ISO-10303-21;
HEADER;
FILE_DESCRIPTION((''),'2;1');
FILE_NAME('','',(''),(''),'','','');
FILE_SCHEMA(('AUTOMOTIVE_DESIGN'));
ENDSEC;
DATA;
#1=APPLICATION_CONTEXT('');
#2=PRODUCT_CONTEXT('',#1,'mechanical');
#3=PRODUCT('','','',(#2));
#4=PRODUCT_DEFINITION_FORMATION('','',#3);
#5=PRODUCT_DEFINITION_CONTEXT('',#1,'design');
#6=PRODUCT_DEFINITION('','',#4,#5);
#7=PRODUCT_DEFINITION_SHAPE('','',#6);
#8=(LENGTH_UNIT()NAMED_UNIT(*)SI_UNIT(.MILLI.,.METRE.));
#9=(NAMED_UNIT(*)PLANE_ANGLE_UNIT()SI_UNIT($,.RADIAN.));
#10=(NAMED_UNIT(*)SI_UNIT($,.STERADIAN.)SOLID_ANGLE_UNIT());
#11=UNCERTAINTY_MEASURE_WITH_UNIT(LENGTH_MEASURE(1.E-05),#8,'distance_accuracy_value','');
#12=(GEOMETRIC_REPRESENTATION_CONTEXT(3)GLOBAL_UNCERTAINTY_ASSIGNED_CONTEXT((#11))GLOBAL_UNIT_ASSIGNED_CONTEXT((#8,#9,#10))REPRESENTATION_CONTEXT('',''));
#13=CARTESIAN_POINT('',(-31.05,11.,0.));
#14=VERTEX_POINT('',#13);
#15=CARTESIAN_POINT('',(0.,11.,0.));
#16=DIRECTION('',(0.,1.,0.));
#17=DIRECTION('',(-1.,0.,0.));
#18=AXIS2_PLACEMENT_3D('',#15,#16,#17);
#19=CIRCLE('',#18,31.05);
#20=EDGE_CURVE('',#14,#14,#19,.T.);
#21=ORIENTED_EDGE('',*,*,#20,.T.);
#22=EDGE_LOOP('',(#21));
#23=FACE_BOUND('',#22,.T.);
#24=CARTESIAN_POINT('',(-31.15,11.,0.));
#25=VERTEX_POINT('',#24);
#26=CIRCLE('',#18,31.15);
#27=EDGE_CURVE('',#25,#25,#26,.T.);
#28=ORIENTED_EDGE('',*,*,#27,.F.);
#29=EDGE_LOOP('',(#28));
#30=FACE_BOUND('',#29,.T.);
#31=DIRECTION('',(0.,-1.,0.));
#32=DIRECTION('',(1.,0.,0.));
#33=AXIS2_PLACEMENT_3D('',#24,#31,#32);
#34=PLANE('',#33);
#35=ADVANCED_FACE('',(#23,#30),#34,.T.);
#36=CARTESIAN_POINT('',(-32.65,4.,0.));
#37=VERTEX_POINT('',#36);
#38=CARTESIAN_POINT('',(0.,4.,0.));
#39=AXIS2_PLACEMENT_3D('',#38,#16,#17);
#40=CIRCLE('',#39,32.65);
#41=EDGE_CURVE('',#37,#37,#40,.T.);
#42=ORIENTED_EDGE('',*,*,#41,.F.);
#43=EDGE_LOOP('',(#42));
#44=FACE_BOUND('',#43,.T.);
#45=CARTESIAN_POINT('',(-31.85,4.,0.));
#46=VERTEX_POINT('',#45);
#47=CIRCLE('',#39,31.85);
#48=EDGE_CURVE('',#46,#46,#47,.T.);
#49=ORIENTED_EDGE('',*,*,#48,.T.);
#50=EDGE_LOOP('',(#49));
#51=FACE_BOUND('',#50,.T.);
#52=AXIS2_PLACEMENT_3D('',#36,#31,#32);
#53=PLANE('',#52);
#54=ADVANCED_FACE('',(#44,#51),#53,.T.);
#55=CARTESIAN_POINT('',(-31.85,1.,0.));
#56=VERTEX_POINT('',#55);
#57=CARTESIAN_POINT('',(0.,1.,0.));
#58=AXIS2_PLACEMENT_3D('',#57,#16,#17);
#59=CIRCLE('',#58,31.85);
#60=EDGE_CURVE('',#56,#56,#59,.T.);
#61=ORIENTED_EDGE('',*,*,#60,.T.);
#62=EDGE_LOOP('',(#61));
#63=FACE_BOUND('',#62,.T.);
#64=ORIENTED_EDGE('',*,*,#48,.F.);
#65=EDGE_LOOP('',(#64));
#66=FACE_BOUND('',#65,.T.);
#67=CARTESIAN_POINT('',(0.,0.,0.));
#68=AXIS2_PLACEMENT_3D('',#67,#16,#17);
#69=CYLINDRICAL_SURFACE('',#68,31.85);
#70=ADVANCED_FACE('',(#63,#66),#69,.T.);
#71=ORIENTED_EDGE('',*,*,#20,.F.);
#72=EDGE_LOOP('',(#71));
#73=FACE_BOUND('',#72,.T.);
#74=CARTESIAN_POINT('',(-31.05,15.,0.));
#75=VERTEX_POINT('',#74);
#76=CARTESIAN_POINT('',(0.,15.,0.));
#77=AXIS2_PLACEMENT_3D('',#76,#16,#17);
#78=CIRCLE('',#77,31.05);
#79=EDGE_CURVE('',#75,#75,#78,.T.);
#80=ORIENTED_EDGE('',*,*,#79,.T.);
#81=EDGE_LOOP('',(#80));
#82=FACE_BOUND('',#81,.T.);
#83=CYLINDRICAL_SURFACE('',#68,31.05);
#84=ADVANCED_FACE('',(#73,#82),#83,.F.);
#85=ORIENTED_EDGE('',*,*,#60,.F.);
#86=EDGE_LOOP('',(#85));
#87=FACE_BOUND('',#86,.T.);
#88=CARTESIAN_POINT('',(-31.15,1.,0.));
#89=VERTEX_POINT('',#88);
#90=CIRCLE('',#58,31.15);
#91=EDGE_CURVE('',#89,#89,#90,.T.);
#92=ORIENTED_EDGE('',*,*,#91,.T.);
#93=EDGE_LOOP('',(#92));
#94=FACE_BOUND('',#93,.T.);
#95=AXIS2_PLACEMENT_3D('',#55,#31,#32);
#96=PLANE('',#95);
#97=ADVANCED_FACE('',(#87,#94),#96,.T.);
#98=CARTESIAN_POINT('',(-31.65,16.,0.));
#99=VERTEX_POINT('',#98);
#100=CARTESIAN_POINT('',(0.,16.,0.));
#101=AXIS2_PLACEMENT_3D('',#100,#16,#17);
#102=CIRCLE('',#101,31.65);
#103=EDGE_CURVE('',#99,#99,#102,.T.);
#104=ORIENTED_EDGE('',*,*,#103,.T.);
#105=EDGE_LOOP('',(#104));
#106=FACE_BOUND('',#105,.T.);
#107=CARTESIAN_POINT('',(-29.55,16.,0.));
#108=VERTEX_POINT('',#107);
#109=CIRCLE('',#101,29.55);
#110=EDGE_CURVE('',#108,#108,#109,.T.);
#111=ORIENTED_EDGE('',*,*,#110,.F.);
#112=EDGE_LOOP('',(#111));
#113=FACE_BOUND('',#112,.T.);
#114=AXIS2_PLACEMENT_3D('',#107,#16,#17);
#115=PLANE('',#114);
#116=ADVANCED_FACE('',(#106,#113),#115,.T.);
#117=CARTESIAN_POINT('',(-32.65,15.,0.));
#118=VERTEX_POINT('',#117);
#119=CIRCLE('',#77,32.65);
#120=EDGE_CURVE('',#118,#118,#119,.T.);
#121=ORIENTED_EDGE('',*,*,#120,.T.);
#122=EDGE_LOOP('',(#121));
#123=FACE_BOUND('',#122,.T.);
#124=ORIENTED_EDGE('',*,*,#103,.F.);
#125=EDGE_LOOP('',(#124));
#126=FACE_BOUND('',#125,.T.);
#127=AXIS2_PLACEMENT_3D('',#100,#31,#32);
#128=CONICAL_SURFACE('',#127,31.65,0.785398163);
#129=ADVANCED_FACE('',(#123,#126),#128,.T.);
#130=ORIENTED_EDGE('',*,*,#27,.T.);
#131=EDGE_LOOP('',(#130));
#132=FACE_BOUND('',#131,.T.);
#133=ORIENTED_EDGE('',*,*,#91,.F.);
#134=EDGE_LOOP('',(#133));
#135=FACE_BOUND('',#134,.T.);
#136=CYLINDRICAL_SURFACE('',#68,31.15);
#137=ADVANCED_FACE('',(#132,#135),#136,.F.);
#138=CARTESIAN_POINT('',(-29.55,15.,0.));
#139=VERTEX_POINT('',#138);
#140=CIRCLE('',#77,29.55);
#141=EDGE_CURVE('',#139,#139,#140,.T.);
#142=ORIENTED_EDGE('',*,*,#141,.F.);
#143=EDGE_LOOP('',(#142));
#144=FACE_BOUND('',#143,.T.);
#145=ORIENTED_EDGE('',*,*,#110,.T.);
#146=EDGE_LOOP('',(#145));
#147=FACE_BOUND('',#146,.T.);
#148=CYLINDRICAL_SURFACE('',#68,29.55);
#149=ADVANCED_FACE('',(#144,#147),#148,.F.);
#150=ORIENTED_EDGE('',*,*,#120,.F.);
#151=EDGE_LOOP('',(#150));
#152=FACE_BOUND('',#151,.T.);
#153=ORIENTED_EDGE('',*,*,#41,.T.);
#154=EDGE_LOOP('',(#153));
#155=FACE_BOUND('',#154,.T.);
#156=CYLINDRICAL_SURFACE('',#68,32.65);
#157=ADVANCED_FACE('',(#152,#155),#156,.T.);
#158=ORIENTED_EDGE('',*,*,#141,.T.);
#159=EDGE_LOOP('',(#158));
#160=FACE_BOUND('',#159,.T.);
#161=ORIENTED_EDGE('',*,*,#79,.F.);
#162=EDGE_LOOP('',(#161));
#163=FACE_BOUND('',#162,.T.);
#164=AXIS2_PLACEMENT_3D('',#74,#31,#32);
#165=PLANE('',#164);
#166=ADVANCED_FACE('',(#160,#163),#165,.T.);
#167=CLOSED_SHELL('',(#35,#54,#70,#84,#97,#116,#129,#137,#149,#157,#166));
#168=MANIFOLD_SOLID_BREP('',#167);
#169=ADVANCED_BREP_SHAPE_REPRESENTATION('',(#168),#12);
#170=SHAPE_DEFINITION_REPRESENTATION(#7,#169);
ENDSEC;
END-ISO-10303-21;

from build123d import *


with BuildPart() as part:
    # Sketch1 → Revolve1 (revolve)
    with BuildSketch(Plane.XY):
        Polygon((-32.65, 4), (-31.85, 4), (-31.85, 1), (-31.15, 1), (-31.15, 11), (-31.05, 11), (-31.05, 15), (-29.55, 15), (-29.55, 16), (-31.65, 16), (-32.65, 15), align=None)
    revolve(axis=Axis((0, 0, 0), (0, -1, 0)))


solid = part.part
